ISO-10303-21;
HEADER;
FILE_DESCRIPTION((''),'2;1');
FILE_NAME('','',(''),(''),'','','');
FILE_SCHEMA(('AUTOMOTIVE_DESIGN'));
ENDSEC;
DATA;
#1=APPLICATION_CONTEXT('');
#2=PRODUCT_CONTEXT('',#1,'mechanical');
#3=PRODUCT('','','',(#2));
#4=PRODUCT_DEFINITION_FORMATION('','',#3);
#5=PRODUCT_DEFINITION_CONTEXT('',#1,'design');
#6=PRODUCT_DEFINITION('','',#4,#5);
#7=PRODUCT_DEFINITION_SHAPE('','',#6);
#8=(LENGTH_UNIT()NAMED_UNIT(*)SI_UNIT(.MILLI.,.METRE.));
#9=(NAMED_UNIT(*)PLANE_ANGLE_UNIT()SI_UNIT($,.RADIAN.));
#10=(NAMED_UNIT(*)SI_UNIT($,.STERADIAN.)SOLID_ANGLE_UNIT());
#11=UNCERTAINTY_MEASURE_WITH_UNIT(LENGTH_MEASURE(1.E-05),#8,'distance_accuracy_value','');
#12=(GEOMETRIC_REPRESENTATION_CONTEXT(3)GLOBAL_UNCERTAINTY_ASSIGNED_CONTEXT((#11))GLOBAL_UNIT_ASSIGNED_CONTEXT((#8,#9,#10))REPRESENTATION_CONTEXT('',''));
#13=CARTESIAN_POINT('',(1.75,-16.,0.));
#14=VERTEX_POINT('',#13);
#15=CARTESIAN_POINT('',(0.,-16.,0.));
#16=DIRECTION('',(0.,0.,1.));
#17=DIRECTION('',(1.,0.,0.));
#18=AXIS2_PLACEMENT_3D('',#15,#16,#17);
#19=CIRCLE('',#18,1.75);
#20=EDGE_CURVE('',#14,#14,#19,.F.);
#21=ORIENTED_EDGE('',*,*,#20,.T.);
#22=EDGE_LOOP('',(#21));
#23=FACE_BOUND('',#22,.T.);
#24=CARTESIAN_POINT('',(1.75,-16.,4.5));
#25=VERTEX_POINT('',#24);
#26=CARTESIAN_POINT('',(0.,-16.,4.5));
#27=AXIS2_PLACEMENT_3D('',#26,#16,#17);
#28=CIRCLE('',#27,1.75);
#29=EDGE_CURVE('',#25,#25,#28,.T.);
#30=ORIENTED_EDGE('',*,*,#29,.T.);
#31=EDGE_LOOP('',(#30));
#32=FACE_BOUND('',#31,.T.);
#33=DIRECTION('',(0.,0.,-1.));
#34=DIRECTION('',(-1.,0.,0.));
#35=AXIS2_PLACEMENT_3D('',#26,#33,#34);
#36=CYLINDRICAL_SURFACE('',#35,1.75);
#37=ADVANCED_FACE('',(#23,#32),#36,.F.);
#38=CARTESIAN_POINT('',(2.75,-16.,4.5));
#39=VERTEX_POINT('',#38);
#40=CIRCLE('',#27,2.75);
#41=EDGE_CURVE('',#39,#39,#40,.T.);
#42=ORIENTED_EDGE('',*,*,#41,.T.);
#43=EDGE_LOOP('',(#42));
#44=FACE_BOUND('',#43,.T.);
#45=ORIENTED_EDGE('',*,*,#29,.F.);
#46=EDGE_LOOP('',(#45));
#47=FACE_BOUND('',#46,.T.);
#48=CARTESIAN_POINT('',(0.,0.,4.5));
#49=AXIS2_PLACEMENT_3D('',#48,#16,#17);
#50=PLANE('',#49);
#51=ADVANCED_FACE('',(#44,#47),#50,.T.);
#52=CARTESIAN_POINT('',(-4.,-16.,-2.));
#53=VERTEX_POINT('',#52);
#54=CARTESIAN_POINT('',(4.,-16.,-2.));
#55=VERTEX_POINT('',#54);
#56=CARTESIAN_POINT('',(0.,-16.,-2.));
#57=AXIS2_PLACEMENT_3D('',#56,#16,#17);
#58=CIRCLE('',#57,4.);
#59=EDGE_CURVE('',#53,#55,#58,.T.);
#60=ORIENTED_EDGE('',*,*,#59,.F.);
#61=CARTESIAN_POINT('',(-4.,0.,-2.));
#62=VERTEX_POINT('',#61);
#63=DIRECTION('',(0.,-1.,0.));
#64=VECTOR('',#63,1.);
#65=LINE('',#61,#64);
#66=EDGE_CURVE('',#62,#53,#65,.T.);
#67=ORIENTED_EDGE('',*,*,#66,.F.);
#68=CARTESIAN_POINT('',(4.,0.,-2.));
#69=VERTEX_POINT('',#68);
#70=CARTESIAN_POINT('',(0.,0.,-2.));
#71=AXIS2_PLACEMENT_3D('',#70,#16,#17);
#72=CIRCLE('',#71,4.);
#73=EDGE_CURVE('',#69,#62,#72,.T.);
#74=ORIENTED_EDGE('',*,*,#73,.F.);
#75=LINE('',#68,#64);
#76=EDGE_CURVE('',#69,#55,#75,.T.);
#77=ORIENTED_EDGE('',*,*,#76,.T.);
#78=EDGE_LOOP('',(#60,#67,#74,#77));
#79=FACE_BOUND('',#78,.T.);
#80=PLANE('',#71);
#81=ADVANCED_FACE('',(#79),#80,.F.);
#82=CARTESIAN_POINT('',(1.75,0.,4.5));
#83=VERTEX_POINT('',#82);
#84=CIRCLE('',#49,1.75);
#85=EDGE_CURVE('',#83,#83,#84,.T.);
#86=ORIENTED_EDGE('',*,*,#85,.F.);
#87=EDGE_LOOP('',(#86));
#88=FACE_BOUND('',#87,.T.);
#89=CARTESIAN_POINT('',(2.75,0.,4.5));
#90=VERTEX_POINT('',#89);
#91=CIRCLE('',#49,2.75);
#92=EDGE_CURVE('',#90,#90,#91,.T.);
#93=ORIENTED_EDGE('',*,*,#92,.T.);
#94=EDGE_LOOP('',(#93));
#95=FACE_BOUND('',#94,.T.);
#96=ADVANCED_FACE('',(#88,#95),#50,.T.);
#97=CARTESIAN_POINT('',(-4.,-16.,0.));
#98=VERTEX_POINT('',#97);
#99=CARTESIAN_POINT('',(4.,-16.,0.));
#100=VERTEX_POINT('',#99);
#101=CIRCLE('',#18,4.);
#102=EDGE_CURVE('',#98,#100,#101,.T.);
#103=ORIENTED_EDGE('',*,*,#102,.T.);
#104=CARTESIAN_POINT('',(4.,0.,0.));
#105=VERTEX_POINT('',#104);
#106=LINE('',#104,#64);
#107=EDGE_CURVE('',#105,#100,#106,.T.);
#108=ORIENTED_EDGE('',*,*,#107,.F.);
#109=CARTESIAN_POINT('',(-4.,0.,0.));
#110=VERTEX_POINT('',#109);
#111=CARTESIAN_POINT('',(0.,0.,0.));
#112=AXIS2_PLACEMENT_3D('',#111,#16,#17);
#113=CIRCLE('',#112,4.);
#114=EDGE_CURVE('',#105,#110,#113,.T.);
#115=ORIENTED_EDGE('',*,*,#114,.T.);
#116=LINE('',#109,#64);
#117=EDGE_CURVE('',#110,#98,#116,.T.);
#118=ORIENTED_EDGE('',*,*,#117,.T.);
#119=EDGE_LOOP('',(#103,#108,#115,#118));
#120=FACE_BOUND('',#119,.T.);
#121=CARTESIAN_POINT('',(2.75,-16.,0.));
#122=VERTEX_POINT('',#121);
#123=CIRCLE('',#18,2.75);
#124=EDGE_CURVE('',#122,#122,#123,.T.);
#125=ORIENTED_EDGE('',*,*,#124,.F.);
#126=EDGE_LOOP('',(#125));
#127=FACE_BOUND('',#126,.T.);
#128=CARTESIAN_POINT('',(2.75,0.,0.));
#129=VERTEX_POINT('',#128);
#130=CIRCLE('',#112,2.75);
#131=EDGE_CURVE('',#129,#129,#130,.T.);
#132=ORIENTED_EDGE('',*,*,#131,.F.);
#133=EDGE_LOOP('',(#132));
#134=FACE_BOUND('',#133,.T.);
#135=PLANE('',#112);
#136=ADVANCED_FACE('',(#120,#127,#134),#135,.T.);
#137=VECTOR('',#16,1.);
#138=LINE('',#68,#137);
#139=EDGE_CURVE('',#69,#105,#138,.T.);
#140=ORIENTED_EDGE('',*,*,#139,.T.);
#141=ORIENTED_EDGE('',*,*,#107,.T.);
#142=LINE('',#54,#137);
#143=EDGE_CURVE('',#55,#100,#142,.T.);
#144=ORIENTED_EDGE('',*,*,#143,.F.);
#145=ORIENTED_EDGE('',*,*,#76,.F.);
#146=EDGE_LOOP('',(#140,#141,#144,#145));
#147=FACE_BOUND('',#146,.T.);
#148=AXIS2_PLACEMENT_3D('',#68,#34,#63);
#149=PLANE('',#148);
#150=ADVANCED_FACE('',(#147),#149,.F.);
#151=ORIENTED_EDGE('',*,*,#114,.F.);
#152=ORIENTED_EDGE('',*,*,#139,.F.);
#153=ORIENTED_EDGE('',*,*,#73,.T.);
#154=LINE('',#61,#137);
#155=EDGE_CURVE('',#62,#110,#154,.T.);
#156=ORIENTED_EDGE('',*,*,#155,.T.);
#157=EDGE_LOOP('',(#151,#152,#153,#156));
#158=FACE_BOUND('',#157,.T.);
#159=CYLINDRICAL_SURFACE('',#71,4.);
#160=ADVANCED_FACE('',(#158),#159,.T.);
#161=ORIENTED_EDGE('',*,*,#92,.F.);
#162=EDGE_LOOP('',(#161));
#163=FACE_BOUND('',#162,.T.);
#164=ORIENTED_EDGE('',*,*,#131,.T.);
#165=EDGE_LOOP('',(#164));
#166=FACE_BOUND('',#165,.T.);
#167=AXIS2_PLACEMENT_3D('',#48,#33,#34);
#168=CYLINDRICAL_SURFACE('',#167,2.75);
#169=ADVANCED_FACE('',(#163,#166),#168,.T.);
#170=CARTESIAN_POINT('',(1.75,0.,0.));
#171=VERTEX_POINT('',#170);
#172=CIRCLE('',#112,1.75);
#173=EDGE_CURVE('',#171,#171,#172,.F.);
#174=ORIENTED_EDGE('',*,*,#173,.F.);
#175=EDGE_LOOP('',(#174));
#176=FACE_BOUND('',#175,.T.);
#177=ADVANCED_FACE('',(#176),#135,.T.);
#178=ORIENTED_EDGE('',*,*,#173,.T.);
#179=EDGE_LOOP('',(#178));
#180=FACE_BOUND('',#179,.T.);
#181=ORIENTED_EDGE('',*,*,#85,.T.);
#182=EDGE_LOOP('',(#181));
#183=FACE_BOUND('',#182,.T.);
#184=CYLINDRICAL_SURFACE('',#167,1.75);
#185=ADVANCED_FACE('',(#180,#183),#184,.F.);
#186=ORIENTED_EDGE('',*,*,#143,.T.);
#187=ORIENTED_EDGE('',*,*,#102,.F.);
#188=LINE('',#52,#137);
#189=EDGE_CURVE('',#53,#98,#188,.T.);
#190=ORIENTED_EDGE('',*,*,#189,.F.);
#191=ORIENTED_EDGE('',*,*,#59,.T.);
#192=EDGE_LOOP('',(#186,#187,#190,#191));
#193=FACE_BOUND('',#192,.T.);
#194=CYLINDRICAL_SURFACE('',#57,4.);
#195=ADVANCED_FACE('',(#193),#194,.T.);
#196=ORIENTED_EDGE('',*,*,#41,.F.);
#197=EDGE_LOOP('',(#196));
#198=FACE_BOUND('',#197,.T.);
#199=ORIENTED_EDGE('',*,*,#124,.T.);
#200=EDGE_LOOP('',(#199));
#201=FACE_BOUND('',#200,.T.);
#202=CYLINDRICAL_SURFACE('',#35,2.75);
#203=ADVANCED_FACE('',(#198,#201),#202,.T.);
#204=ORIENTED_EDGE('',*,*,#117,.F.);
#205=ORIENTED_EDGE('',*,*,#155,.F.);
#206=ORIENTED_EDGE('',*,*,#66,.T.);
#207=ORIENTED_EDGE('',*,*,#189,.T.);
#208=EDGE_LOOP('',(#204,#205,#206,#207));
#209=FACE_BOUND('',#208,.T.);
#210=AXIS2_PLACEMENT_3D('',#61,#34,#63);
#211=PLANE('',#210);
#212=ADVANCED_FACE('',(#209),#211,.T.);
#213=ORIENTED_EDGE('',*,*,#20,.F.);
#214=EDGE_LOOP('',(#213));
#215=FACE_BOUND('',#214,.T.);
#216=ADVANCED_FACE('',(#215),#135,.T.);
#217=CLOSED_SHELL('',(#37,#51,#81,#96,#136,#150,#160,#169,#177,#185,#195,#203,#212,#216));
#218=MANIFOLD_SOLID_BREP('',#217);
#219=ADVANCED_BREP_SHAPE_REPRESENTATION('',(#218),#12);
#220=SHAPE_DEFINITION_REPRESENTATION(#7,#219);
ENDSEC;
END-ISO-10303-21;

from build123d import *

# Parameters (mm, degrees)
BOSS_EXTRUDE1_DEPTH = 2
SKETCH1_3_R         = 2.75
SKETCH1_3_R_2       = 1.75
BOSS_EXTRUDE2_DEPTH = 4.5


with BuildPart() as part:
    # Sketch1 → Boss-Extrude1 (new body)
    with BuildSketch(Plane.XY):
        with BuildLine():
            Line((4, -16), (4, 0))
            ThreePointArc((4, 0), (0, 4), (-4, 0))
            Line((-4, 0), (-4, -16))
            ThreePointArc((-4, -16), (0, -20), (4, -16))
        make_face()
    extrude(amount=-BOSS_EXTRUDE1_DEPTH)

    # Sketch1<3> → Boss-Extrude2 (add)
    # profile 1 of 2: a face of its own
    with BuildSketch(Plane.XY):
        Circle(SKETCH1_3_R)
        Circle(SKETCH1_3_R_2, mode=Mode.SUBTRACT)
    # profile 2 of 2: a face of its own
    with BuildSketch(Plane.XY):
        with Locations((0, -16)):
            Circle(SKETCH1_3_R)
        with Locations((0, -16)):
            Circle(SKETCH1_3_R_2, mode=Mode.SUBTRACT)
    extrude(amount=BOSS_EXTRUDE2_DEPTH)


solid = part.part
